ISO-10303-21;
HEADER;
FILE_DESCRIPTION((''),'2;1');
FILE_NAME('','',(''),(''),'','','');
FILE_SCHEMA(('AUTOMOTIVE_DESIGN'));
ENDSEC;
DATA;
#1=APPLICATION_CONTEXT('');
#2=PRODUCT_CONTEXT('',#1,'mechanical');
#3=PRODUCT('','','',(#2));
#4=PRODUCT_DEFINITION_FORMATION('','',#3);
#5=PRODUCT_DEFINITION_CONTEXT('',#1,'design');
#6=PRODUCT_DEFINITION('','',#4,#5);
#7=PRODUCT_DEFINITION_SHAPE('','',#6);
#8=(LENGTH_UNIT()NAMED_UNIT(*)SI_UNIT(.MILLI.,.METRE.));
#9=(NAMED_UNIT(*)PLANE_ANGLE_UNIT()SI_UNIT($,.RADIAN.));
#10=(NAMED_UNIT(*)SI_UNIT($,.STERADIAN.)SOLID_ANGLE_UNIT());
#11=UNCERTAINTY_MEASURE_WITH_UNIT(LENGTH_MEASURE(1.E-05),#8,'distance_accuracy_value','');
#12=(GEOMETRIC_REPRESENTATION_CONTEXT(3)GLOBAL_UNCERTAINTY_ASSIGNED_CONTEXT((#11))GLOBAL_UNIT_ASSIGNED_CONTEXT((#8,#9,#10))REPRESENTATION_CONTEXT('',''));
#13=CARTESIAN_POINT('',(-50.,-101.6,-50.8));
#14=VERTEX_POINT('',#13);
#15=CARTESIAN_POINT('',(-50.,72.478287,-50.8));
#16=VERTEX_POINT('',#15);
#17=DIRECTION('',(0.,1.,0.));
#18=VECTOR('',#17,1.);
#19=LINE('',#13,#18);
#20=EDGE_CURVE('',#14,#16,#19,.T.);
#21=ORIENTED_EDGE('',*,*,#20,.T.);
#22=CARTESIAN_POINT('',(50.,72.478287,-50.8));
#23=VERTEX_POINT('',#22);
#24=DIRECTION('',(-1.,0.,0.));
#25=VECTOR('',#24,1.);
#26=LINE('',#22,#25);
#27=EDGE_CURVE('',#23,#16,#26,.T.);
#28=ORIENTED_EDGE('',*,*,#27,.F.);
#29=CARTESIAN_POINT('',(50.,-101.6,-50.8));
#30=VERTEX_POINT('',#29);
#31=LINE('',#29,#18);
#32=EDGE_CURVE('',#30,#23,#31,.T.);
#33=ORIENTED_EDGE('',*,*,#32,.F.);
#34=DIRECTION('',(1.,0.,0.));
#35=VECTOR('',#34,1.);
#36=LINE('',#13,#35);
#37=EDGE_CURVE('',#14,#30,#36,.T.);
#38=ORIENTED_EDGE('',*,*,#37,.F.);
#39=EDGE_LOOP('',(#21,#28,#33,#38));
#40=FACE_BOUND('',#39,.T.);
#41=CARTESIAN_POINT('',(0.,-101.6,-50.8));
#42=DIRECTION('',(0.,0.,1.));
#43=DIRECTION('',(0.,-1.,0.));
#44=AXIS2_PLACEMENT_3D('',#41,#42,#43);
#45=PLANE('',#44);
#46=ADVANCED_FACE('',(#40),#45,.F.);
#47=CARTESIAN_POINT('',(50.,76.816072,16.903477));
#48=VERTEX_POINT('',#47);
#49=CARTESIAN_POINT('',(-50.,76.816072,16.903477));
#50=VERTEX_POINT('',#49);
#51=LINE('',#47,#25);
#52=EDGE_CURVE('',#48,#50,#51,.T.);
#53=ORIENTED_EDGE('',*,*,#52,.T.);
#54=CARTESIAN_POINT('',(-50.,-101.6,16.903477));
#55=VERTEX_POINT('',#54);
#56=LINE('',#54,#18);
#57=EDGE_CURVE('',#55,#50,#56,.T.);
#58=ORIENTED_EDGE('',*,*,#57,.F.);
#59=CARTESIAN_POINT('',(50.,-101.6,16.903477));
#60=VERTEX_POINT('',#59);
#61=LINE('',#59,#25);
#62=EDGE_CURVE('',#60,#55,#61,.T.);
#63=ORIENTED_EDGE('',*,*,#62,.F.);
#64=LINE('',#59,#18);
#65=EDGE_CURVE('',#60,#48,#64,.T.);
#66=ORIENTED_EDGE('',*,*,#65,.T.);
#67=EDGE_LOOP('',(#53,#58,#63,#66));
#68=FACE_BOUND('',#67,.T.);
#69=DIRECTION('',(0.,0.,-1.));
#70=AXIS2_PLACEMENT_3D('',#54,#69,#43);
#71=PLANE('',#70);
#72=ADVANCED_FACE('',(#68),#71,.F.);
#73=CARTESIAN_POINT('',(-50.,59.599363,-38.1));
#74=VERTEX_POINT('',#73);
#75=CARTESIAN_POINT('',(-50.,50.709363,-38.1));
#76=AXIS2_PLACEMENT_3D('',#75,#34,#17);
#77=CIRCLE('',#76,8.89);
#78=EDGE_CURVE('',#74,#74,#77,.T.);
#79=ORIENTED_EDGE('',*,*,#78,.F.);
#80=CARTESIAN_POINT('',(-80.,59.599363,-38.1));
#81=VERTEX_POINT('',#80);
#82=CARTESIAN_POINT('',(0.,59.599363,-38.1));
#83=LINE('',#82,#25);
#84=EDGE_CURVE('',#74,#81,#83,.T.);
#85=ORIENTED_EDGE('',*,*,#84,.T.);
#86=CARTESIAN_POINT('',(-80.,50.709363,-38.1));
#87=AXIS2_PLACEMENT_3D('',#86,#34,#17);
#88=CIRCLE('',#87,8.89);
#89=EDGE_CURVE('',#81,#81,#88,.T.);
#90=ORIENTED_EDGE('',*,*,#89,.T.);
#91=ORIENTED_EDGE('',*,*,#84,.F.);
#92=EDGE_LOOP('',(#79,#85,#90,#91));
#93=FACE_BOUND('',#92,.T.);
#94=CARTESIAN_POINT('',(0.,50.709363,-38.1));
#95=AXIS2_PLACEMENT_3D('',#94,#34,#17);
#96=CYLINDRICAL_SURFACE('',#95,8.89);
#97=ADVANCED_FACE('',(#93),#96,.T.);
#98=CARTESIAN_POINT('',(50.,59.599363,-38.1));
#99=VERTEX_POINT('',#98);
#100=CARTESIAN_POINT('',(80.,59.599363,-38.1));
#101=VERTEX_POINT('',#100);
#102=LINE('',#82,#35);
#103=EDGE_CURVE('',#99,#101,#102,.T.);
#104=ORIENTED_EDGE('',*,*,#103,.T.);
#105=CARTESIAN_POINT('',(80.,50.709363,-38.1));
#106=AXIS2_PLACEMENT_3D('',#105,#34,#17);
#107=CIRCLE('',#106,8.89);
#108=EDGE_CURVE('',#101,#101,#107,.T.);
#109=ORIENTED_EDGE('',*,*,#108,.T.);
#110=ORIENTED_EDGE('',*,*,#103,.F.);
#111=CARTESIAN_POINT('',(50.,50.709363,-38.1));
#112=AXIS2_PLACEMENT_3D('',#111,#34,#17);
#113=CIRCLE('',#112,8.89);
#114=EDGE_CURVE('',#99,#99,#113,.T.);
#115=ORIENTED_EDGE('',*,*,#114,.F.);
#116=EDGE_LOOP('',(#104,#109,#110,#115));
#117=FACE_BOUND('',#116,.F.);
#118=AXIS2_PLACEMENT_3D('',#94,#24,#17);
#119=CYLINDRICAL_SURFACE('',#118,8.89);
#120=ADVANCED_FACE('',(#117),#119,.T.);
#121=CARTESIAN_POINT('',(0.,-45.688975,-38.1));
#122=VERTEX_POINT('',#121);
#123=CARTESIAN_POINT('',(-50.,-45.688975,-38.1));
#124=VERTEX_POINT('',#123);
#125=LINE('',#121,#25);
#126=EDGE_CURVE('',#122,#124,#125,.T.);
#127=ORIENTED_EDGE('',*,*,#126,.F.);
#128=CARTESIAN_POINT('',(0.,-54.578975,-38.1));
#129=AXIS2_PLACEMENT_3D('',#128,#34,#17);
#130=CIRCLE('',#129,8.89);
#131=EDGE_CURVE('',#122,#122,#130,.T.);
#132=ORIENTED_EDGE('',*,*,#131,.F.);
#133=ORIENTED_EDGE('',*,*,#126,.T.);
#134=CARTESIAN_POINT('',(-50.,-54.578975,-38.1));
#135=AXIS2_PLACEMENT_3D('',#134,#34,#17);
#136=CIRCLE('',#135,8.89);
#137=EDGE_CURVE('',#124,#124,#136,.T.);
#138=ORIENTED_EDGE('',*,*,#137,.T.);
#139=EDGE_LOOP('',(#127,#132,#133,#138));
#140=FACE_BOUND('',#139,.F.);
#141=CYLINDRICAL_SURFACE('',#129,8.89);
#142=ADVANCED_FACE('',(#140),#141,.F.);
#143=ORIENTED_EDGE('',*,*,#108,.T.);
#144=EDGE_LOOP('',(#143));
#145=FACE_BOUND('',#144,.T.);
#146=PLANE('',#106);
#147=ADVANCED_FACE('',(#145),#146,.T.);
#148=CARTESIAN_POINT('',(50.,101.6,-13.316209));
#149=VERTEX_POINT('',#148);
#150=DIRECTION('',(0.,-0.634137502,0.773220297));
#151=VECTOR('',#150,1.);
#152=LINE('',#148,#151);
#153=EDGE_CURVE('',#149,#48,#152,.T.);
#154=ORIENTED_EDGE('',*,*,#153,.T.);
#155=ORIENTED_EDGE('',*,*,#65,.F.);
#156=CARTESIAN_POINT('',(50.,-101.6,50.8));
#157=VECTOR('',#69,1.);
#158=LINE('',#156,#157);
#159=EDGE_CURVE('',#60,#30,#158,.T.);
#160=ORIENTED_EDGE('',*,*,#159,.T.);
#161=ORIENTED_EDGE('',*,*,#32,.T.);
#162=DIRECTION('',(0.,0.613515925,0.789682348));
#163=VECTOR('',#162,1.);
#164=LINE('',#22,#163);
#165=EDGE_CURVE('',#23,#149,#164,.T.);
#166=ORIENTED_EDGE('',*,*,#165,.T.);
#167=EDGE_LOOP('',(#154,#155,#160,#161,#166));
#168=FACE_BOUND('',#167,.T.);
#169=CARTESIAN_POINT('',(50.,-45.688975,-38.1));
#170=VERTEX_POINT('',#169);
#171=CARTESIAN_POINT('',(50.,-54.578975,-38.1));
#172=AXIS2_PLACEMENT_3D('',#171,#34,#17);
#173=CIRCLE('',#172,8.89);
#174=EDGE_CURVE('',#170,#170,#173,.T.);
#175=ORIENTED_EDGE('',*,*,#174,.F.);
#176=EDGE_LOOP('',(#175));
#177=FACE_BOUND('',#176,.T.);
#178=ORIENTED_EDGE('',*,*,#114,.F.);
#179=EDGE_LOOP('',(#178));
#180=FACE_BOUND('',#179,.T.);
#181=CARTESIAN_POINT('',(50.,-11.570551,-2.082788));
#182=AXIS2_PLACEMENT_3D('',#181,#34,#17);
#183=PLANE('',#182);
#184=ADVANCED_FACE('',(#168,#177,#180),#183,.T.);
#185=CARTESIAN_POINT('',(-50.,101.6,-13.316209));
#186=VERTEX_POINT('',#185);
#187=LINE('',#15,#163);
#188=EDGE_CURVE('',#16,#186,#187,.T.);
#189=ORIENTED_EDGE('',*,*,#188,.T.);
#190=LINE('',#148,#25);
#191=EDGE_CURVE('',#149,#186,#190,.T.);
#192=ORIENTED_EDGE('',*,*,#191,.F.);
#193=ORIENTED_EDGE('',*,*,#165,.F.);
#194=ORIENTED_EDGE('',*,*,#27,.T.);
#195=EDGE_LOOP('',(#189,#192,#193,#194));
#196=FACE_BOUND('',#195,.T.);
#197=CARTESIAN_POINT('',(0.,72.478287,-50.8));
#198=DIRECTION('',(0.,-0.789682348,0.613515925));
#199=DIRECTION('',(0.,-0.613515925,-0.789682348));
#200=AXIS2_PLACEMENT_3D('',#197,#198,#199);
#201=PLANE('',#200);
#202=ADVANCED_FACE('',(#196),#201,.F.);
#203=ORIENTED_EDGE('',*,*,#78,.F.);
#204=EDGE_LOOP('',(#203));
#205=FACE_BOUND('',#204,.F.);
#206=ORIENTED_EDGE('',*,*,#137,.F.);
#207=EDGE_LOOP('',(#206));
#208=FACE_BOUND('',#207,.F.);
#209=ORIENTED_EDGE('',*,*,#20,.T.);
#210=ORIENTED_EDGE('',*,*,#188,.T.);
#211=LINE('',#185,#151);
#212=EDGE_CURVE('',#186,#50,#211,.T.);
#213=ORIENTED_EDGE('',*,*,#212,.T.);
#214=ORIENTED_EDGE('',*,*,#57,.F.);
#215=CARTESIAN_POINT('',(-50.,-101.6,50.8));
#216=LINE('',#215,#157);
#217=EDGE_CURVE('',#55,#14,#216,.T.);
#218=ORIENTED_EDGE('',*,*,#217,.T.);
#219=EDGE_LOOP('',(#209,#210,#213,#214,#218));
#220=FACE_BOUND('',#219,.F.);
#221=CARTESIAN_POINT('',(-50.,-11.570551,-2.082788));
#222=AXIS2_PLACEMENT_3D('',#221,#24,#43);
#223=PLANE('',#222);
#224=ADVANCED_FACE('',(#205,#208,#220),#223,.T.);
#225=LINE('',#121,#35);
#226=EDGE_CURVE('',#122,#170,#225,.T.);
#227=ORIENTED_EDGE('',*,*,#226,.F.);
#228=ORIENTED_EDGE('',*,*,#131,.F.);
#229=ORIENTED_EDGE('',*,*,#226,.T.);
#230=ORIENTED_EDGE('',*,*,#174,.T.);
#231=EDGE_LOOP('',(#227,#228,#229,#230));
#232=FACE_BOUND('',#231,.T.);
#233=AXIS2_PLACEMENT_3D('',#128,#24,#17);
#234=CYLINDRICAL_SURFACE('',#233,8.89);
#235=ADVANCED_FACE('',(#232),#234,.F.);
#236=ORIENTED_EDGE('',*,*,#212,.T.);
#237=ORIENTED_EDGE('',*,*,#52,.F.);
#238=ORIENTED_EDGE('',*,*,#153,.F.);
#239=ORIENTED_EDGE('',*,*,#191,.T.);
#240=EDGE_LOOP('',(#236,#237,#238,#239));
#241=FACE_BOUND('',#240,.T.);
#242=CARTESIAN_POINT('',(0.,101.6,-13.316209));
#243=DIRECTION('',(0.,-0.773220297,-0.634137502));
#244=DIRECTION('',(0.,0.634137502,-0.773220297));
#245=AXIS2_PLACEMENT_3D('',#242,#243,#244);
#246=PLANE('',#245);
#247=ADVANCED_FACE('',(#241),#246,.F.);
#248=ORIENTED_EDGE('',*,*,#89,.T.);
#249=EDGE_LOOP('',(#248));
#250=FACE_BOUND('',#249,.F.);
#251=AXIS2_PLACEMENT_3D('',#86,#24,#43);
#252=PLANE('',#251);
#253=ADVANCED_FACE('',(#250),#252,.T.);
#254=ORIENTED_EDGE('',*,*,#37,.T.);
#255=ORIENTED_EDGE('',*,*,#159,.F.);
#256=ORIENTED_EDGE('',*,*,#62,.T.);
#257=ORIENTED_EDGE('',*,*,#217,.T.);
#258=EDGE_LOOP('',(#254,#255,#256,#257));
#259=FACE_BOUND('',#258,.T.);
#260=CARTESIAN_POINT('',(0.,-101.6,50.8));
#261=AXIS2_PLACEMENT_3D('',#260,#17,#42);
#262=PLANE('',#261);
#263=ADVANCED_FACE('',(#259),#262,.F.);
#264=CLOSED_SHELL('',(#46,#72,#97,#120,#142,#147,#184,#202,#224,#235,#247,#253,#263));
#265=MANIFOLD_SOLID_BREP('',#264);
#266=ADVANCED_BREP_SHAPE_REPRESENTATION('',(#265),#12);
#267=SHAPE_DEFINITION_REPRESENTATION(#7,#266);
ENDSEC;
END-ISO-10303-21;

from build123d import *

# Parameters (mm, degrees)
F0_R     = 8.89
F1_DEPTH = 50
F3_DEPTH = 50
F4_DEPTH = 80


with BuildPart() as f1:
    # F0 (on Right) → F1 (new body)
    with BuildSketch(Plane.YZ):
        Polygon((-101.6, -50.8), (72.478287, -50.8), (101.6, -13.316209), (49.016677, 50.8), (-101.6, 50.8), align=None)
        with Locations((-54.578975, -38.1)):
            Circle(F0_R, mode=Mode.SUBTRACT)
        with Locations((50.709363, -38.1)):
            Circle(F0_R, mode=Mode.SUBTRACT)
    extrude(amount=F1_DEPTH)

    # F2 (on face) → F3 (cut)
    with BuildSketch(Plane.YZ.offset(50)):
        Polygon((-101.6, 50.8), (-101.6, 16.903477), (76.816072, 16.903477), (49.016677, 50.8), align=None)
    extrude(amount=-F3_DEPTH, mode=Mode.SUBTRACT)

    # F0 (on Right) → F4 (join)
    with BuildSketch(Plane.YZ):
        with Locations((50.709363, -38.1)):
            Circle(F0_R)
    extrude(amount=F4_DEPTH)

    # F5: F1 across plane


with BuildPart() as f1_1:
    add(f1.part)
    add(f1.part.mirror(Plane.YZ))


solid = f1_1.part
